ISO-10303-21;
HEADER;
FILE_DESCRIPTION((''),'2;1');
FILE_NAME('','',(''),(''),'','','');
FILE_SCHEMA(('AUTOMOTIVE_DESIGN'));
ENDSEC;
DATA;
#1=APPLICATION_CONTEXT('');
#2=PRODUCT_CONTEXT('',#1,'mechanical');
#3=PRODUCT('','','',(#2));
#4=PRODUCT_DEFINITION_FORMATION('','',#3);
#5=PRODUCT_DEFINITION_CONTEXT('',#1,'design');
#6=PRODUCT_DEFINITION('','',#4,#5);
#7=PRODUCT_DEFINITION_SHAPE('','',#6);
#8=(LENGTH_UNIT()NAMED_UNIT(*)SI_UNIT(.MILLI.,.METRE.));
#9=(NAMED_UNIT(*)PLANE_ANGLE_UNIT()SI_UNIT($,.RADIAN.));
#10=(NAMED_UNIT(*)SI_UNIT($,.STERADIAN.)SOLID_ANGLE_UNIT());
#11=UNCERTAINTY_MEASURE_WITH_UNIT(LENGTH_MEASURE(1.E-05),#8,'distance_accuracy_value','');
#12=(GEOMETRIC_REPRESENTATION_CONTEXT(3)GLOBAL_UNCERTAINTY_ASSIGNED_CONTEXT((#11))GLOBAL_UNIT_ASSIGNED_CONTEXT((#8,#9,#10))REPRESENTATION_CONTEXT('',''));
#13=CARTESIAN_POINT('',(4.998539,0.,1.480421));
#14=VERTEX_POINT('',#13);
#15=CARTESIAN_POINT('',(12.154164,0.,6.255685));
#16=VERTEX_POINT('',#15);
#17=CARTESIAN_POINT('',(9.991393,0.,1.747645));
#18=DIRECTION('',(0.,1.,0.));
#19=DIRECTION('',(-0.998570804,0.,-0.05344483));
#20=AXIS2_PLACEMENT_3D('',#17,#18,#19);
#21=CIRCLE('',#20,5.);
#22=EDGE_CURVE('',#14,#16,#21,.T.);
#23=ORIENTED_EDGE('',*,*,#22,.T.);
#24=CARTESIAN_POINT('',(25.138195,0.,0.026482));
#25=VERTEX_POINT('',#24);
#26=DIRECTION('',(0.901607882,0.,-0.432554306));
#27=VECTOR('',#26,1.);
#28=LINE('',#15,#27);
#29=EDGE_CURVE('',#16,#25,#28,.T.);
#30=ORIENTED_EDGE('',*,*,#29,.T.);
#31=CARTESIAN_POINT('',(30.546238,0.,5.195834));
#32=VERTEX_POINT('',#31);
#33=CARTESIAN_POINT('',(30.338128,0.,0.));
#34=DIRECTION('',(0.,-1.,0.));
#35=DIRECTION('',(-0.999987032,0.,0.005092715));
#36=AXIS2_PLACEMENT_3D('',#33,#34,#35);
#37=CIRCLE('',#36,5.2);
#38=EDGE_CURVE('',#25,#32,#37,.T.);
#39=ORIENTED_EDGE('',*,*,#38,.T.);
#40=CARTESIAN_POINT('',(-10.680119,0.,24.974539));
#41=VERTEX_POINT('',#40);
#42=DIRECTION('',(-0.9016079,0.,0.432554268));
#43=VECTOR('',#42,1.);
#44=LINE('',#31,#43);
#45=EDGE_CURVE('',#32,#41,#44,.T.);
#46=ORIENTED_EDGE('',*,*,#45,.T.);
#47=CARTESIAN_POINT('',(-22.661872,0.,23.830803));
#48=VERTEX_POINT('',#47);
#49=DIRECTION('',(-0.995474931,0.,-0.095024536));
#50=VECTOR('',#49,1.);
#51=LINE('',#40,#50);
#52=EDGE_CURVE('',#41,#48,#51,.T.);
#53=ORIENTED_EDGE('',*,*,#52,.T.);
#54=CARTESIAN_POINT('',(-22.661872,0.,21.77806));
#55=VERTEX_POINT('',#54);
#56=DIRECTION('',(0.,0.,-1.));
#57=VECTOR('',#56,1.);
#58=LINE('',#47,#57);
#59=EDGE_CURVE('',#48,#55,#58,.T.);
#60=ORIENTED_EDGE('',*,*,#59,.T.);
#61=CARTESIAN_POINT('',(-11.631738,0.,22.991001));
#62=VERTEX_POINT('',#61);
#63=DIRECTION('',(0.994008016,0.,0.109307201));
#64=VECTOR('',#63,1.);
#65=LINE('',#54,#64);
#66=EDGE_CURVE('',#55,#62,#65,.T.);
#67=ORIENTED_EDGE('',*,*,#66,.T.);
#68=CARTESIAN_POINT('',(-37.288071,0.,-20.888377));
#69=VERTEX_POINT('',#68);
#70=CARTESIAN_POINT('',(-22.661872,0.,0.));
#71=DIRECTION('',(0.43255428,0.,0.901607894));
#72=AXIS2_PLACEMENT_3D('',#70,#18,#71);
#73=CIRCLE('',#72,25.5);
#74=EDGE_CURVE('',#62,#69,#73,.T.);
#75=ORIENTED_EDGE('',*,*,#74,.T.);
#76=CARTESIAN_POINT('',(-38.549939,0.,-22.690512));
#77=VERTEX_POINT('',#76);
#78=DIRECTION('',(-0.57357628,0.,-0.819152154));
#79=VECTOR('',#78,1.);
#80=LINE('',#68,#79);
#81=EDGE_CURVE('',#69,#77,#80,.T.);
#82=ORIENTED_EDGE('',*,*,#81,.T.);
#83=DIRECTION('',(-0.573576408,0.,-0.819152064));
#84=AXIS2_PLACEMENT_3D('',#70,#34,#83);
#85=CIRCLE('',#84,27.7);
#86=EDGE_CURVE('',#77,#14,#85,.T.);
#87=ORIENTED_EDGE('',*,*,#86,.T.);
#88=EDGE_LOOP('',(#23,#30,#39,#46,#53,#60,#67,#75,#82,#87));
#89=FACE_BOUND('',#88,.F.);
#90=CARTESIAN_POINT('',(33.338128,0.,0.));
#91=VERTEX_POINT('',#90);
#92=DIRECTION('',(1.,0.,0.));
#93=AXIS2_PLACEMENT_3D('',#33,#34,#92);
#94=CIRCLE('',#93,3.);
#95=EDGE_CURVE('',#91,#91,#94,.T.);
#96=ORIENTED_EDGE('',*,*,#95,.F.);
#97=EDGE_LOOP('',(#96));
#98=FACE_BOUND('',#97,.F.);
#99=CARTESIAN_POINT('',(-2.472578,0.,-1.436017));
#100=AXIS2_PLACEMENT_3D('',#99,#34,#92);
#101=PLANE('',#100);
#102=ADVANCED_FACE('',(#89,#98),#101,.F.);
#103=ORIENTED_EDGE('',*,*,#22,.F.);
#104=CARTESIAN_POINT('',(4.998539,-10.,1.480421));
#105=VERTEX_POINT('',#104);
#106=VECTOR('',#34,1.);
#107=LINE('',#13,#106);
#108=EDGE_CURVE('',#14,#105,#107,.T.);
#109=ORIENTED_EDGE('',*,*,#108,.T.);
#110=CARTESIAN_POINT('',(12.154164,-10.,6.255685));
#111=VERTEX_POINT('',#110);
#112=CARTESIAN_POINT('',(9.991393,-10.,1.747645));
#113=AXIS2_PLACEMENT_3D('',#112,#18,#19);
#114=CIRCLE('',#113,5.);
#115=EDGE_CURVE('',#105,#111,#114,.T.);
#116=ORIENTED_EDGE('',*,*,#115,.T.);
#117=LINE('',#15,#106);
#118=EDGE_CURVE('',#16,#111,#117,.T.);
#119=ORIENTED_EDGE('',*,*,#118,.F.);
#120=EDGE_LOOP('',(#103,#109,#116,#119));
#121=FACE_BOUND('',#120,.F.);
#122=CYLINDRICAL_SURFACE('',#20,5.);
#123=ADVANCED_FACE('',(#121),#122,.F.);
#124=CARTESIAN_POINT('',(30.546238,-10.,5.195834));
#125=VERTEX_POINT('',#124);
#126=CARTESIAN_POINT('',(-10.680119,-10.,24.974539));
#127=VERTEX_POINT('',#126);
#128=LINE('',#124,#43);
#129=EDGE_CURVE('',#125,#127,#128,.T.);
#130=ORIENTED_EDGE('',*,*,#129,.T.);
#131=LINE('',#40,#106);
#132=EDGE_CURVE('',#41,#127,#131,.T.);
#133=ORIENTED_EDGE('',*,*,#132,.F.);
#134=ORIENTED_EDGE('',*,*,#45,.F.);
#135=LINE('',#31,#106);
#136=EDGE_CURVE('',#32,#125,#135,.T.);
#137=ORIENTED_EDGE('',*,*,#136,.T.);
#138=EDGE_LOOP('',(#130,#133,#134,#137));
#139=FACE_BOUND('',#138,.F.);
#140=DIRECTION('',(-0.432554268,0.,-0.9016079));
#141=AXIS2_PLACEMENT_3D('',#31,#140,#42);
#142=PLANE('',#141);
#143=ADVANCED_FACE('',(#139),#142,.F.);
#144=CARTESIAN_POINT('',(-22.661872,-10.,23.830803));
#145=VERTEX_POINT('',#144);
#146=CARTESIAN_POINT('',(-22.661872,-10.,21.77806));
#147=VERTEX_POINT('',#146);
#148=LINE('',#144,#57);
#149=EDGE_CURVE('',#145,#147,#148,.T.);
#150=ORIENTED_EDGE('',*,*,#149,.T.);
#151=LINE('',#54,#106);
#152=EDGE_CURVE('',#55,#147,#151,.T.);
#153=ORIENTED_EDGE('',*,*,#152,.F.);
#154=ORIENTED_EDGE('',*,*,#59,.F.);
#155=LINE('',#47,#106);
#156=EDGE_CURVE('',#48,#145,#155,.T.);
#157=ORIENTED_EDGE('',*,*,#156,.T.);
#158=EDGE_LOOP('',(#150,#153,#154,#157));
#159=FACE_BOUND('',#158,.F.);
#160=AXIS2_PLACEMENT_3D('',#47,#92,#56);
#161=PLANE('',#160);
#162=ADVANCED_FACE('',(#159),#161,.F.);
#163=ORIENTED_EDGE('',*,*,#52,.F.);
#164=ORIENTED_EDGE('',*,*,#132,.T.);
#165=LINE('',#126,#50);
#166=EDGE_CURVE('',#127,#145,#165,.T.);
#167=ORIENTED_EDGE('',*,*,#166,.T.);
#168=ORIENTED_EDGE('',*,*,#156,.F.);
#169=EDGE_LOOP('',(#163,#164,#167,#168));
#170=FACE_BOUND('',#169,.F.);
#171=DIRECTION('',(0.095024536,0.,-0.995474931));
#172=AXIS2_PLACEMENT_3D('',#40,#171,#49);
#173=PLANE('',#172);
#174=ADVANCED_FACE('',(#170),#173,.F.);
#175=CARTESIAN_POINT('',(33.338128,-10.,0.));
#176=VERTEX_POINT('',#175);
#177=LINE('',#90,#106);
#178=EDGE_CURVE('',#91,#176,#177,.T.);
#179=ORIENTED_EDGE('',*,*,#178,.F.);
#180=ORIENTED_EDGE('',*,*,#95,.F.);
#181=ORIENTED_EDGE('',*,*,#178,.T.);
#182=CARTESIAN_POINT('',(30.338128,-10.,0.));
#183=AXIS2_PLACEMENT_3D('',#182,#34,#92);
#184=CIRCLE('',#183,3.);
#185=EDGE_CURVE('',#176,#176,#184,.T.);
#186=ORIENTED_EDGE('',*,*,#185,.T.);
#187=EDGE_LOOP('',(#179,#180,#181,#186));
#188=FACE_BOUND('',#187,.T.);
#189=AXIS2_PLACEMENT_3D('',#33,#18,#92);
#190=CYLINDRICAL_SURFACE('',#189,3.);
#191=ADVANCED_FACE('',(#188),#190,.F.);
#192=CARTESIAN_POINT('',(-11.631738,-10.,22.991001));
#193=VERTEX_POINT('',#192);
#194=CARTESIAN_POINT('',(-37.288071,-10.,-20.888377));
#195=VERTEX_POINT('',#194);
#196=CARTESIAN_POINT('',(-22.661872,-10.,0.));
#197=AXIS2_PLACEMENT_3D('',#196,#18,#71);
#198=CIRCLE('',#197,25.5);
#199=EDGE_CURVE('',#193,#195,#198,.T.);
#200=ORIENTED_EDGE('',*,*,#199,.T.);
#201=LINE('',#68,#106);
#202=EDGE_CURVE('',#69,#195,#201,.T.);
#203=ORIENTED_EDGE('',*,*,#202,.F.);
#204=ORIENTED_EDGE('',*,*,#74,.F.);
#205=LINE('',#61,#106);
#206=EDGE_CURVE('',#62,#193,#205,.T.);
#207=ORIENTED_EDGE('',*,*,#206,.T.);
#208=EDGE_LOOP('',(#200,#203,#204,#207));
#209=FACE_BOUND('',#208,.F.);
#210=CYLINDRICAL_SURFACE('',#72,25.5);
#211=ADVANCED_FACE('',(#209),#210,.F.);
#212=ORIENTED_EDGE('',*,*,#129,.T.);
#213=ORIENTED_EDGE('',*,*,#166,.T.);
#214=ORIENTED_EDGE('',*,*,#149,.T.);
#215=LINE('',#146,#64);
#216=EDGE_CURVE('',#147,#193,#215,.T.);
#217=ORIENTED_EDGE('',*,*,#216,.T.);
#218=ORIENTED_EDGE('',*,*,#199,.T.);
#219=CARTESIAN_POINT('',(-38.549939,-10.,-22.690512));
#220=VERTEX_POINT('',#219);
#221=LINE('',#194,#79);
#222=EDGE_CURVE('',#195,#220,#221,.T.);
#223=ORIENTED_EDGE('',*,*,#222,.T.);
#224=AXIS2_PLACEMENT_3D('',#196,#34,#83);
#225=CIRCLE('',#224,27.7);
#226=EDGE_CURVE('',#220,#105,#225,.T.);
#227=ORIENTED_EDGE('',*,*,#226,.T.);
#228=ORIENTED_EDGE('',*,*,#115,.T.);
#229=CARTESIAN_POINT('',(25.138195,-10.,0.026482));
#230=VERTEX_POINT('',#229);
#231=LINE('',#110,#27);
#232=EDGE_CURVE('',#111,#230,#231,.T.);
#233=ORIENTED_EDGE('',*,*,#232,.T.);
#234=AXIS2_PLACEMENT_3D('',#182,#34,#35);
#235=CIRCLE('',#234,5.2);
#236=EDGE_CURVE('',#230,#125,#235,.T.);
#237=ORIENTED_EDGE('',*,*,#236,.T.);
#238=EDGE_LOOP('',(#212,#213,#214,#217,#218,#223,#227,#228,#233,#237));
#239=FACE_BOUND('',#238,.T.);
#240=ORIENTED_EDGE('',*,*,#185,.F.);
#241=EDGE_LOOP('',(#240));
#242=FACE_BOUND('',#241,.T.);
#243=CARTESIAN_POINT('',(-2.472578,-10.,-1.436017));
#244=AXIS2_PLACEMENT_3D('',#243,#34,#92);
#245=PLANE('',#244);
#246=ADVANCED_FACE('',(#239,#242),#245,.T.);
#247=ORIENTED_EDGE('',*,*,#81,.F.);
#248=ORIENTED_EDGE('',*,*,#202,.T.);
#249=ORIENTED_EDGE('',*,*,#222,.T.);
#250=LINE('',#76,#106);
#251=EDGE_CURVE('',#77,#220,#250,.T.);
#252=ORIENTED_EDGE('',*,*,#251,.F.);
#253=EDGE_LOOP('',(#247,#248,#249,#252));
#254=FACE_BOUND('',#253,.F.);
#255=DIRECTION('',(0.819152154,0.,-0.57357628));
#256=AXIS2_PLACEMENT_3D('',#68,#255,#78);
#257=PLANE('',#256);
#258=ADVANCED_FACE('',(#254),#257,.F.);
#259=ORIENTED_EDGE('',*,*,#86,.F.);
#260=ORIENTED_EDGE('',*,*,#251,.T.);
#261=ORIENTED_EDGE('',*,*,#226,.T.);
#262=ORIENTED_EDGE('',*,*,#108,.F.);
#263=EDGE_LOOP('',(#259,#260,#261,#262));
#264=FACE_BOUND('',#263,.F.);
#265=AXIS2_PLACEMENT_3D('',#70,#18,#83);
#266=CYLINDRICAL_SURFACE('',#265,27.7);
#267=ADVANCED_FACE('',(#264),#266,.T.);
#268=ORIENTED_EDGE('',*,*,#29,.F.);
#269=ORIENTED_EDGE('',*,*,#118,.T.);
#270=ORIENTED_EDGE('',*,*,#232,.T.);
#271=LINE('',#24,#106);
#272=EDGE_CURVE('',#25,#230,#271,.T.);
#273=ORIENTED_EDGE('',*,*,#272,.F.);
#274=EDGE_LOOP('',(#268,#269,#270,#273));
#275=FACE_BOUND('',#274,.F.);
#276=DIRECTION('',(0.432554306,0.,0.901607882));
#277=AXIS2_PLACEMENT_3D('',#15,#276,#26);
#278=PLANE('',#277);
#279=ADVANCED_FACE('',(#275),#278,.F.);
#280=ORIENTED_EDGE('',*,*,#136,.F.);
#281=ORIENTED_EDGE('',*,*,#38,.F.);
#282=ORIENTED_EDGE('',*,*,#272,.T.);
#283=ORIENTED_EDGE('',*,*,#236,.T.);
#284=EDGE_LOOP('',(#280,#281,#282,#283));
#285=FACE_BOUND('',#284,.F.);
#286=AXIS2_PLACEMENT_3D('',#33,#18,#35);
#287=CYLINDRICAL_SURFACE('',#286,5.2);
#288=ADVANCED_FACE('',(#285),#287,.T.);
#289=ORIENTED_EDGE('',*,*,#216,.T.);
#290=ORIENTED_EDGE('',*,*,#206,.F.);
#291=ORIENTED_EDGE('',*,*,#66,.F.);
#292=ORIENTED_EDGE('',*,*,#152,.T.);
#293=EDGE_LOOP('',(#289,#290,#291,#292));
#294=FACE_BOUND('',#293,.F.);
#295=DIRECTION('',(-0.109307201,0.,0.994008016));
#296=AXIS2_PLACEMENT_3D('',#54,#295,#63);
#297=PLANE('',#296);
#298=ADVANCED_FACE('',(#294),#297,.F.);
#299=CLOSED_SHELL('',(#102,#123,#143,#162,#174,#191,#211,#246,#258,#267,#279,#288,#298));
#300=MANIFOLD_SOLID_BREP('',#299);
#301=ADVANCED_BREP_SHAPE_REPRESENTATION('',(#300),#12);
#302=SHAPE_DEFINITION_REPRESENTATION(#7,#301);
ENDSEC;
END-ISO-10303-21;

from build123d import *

# Parameters (mm, degrees)
F0_R     = 3
F1_DEPTH = 10


with BuildPart() as f1:
    # F0 (on Front) → F1 (new body)
    with BuildSketch(Plane.XZ):
        with BuildLine():
            ThreePointArc((-11.631738, 22.991001), (-0.648629, -12.871174), (-37.288071, -20.888377))
            Line((-37.288071, -20.888377), (-38.549939, -22.690512))
            ThreePointArc((-38.549939, -22.690512), (-9.219197, -24.219506), (4.998539, 1.480421))
            ThreePointArc((4.998539, 1.480421), (7.215942, 5.906596), (12.154164, 6.255685))
            Line((12.154164, 6.255685), (25.138195, 0.026482))
            ThreePointArc((25.138195, 0.026482), (33.931194, -3.758973), (30.546238, 5.195834))
            Line((30.546238, 5.195834), (-10.680119, 24.974539))
            Line((-10.680119, 24.974539), (-22.661872, 23.830803))
            Line((-22.661872, 23.830803), (-22.661872, 21.77806))
            Line((-22.661872, 21.77806), (-11.631738, 22.991001))
        make_face()
        with Locations((30.338128, 0)):
            Circle(F0_R, mode=Mode.SUBTRACT)
    extrude(amount=F1_DEPTH)


solid = f1.part
